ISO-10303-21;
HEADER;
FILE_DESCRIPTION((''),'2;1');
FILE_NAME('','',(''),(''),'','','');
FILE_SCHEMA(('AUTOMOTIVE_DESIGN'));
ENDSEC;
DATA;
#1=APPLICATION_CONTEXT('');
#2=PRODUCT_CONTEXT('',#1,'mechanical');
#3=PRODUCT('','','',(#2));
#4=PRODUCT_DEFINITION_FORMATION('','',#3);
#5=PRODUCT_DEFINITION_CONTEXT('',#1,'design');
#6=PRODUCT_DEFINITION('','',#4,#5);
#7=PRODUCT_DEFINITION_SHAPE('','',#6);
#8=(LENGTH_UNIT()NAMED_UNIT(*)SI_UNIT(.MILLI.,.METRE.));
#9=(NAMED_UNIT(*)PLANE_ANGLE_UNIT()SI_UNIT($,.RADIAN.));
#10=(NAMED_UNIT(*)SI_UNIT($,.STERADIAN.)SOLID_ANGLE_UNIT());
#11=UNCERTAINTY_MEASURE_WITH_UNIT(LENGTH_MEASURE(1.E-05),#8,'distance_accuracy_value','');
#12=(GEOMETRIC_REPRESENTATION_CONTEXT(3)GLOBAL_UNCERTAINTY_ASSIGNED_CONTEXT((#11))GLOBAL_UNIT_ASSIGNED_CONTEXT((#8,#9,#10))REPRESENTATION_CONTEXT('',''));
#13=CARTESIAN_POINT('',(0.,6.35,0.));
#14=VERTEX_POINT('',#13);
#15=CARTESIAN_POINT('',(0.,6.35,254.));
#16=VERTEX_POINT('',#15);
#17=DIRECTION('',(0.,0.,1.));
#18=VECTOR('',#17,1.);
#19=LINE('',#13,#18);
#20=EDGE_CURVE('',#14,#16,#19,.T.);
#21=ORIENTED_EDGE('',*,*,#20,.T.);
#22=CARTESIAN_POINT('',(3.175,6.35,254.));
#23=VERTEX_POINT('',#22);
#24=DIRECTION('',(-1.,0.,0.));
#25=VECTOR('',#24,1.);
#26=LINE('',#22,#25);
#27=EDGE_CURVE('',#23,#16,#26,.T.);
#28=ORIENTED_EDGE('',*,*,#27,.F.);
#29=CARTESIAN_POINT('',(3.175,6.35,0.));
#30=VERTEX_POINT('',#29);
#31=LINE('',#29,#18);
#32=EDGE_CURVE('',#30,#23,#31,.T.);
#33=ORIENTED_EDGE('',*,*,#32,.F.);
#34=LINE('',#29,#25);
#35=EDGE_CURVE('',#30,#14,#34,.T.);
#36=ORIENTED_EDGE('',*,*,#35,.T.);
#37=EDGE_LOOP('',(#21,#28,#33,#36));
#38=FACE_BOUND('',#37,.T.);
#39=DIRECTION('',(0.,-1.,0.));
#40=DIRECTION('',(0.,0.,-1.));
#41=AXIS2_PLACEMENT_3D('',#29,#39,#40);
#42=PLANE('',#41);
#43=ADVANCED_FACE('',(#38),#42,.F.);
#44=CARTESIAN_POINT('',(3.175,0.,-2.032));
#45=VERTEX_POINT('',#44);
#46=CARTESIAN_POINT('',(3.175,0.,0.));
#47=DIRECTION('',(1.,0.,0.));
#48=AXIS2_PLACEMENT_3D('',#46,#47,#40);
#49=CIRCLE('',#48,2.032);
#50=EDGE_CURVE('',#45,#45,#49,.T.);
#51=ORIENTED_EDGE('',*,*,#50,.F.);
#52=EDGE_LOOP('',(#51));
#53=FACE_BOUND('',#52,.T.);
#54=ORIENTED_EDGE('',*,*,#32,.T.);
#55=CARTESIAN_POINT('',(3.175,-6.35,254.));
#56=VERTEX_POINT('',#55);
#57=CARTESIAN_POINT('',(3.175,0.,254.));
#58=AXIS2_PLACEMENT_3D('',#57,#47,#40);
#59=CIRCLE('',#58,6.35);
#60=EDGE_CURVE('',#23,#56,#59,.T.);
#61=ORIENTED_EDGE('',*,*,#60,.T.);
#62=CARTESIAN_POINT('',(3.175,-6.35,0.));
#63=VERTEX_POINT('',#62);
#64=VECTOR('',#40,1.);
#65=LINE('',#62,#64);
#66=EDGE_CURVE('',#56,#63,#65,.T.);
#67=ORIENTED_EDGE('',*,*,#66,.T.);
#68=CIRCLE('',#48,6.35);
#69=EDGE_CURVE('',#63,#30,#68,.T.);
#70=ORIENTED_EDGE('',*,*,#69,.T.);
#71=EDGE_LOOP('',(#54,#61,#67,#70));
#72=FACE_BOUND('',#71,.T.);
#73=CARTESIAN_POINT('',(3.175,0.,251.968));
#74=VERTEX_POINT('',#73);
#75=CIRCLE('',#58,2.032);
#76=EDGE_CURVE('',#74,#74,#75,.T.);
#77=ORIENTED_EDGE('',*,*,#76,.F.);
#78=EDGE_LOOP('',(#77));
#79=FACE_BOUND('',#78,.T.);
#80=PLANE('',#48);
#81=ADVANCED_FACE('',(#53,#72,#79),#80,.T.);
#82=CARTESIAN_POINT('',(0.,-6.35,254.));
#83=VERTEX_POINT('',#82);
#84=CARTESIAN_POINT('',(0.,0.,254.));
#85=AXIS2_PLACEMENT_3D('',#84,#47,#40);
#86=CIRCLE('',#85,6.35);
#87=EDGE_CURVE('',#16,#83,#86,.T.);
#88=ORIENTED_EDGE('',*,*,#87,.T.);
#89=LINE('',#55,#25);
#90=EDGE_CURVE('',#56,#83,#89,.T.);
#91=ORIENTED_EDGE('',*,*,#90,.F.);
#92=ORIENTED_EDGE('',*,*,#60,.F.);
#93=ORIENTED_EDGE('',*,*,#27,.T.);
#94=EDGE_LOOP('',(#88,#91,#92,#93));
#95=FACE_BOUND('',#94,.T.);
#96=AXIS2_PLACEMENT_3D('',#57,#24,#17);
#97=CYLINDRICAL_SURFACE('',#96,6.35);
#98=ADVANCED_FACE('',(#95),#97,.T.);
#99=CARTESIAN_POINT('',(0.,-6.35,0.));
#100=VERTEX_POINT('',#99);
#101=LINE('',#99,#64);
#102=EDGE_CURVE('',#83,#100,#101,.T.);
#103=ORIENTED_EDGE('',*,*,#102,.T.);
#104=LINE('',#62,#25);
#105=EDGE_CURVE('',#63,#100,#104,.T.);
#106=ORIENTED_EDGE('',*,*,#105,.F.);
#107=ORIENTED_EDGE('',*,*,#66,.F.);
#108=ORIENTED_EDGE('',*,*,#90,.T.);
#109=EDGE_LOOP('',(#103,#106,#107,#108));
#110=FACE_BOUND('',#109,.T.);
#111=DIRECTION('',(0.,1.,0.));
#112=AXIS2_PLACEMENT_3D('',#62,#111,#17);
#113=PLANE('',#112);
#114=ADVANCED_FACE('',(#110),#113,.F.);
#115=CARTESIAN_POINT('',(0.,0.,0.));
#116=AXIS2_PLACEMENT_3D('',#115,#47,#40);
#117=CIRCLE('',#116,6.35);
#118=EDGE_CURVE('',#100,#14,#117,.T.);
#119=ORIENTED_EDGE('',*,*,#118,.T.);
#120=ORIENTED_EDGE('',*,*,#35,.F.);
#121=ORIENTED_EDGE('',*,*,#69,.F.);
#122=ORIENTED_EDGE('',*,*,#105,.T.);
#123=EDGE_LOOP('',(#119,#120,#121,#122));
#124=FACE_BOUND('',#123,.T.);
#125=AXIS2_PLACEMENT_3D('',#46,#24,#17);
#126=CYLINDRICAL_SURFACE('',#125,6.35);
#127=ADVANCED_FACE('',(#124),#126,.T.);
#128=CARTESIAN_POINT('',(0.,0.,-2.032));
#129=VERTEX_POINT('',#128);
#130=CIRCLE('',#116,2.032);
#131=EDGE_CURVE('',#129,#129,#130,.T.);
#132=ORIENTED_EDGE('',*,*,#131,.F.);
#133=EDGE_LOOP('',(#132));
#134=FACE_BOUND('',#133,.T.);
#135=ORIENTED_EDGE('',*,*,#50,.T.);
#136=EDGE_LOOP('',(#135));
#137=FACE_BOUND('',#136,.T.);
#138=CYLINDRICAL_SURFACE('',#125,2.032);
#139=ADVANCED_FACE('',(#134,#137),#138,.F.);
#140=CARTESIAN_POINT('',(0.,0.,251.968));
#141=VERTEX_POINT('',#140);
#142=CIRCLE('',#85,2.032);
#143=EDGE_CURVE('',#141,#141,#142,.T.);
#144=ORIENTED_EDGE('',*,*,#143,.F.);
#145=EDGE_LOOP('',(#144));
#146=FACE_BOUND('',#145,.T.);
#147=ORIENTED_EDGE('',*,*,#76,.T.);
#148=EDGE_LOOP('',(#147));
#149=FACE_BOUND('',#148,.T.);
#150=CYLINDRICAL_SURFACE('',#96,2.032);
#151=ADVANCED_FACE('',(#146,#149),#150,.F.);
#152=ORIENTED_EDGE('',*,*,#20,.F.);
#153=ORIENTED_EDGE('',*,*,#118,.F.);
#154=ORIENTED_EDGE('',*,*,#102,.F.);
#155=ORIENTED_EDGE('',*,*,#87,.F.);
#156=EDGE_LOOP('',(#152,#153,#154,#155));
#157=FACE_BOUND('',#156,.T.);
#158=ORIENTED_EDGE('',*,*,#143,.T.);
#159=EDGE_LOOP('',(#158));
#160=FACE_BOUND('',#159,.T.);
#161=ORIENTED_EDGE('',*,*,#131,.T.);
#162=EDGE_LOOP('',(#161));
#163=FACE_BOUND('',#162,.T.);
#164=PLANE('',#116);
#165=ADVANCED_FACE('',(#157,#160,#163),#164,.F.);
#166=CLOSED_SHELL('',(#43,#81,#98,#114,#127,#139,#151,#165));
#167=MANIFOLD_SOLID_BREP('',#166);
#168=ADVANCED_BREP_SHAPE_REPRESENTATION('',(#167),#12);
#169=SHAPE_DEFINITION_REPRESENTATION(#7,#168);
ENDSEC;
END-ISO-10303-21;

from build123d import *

# Parameters (mm, degrees)
SKETCH1_R           = 2.032
BOSS_EXTRUDE1_DEPTH = 3.175


with BuildPart() as part:
    # Sketch1 → Boss-Extrude1 (new body)
    with BuildSketch(Plane(origin=(0, 0, 0), x_dir=(0, 0, -1), z_dir=(1, 0, 0))):
        with BuildLine():
            Line((0, -6.35), (-254, -6.35))
            ThreePointArc((-254, -6.35), (-260.35, 0), (-254, 6.35))
            Line((-254, 6.35), (0, 6.35))
            ThreePointArc((0, 6.35), (6.35, 0), (0, -6.35))
        make_face()
        with Locations((-254, 0)):
            Circle(SKETCH1_R, mode=Mode.SUBTRACT)
        Circle(SKETCH1_R, mode=Mode.SUBTRACT)
    extrude(amount=BOSS_EXTRUDE1_DEPTH)


solid = part.part
